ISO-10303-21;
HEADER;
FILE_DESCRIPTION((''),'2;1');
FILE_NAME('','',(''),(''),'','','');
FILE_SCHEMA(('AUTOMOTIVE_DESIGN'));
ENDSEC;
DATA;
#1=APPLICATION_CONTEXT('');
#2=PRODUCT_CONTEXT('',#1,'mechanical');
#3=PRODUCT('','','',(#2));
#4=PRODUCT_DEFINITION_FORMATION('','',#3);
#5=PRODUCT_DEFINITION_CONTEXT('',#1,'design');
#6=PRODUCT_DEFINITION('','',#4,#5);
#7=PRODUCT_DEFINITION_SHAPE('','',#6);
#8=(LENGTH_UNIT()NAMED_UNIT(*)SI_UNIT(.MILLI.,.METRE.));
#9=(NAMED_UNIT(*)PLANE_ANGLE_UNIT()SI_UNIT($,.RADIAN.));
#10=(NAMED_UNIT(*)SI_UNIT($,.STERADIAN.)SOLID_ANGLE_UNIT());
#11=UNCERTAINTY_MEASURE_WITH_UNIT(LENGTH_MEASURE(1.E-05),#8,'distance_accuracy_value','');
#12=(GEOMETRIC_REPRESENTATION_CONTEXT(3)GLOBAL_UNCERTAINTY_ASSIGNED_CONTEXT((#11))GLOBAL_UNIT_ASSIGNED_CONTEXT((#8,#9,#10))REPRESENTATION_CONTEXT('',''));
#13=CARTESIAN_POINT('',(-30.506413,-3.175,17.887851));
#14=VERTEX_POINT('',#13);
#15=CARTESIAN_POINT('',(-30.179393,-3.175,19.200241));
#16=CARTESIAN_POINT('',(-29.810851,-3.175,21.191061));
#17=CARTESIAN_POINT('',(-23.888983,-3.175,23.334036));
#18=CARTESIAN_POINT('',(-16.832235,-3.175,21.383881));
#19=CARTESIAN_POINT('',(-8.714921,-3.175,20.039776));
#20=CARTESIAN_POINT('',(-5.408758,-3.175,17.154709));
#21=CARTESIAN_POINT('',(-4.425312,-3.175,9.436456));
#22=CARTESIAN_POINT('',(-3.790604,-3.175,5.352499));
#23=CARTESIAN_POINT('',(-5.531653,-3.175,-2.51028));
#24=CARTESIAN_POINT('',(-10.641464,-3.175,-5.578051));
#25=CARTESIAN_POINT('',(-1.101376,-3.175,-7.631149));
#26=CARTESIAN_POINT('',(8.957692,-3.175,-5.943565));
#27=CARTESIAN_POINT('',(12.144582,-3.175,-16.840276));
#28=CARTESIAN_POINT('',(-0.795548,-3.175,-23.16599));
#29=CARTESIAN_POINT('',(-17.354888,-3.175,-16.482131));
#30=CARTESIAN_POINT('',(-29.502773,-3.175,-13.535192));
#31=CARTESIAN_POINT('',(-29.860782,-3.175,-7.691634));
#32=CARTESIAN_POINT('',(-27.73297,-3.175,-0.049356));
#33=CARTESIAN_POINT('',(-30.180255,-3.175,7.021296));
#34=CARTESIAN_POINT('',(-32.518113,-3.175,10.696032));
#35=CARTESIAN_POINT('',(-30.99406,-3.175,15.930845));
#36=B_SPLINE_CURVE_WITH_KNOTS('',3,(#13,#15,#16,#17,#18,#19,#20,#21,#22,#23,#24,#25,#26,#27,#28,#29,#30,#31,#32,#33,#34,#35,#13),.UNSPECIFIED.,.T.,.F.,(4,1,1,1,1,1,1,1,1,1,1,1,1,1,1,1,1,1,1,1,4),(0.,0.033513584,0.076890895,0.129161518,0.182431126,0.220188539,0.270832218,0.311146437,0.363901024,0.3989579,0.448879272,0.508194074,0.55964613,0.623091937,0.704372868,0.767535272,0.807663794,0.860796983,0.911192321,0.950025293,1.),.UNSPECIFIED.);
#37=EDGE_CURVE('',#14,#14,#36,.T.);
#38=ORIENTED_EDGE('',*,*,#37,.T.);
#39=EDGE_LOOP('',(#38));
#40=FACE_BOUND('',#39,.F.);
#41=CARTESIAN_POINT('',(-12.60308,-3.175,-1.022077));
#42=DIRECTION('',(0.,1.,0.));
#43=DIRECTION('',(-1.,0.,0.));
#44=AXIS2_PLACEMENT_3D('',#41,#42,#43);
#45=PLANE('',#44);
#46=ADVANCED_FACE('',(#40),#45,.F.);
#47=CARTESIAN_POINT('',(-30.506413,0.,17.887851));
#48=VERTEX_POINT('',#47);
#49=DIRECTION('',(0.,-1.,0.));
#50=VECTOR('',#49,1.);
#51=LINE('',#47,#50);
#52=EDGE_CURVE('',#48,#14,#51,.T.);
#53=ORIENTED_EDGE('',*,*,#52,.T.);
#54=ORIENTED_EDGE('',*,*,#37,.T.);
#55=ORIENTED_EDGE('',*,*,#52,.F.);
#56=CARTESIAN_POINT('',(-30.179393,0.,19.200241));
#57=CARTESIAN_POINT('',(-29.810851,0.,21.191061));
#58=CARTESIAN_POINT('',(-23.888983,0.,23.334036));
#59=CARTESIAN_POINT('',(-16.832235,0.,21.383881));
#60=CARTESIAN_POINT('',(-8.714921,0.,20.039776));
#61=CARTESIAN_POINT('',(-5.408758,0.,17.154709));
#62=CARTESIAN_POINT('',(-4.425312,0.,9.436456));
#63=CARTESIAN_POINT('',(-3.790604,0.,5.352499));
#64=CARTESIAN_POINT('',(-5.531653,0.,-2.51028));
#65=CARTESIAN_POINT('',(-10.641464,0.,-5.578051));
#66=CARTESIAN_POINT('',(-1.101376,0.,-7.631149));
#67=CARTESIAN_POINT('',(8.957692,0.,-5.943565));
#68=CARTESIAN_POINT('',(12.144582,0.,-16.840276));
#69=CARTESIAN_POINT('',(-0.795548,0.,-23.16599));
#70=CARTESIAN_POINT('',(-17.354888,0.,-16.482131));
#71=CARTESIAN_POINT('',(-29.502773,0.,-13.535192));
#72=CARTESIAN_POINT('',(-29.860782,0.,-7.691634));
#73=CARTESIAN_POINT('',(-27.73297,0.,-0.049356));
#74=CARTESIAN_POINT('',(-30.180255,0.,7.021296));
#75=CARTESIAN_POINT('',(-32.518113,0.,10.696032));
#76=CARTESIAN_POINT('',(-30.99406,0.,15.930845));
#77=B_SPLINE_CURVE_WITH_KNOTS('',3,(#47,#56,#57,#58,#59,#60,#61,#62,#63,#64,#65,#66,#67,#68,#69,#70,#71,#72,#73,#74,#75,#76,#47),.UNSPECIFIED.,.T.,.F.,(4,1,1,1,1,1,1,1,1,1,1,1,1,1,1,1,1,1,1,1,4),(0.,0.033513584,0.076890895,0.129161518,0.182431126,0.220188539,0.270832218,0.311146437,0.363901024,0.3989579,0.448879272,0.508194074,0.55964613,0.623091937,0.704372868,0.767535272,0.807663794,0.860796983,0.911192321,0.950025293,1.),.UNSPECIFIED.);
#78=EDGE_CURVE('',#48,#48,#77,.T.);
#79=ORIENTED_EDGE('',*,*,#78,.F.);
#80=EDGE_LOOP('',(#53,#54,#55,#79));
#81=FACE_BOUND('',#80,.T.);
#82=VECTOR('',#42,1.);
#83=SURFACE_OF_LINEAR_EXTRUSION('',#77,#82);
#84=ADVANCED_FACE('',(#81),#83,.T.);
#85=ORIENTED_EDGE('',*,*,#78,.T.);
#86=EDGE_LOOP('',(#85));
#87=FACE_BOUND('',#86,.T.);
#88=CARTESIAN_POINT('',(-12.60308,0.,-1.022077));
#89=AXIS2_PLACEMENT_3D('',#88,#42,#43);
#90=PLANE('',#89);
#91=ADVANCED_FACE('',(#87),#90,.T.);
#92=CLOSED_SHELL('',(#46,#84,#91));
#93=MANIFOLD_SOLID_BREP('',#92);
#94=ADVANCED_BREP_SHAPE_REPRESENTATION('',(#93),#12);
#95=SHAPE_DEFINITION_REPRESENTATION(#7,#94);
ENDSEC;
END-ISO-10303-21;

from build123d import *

# Parameters (mm, degrees)
F1_DEPTH = 3.175


with BuildPart() as f1:
    # F0 (on Front) → F1 (new body)
    with BuildSketch(Plane.XZ):
        with BuildLine():
            add(Edge.make_bspline(
                [(-30.50641343, 17.8878512233), (-30.1793925469, 19.2002406747), (-29.8108510557, 21.1910614181), (-23.8889826186, 23.3340364857), (-16.8322345249, 21.3838806177), (-8.7149213143, 20.0397761978), (-5.408757503, 17.1547086223), (-4.4253121665, 9.4364558812), (-3.7906038138, 5.3524992094), (-5.5316527569, -2.5102802639), (-10.641463709, -5.5780507341), (-1.1013755403, -7.6311489408), (8.9576920558, -5.9435646971), (12.1445822705, -16.84027636), (-0.7955481296, -23.1659898033), (-17.3548884353, -16.4821307705), (-29.5027726483, -13.5351923518), (-29.860781503, -7.6916335261), (-27.7329700976, -0.0493559517), (-30.1802549474, 7.021295899), (-32.5181134165, 10.6960321173), (-30.9940596618, 15.9308454056), (-30.50641343, 17.8878512233)],
                knots=[0, 0, 0, 0, 0.0335135838, 0.0768908948, 0.1291615181, 0.1824311263, 0.2201885387, 0.2708322176, 0.3111464371, 0.3639010238, 0.3989578999, 0.4488792725, 0.5081940737, 0.5596461297, 0.6230919368, 0.7043728679, 0.7675352723, 0.8076637936, 0.8607969834, 0.9111923212, 0.9500252929, 1, 1, 1, 1], degree=3))
        make_face()
    extrude(amount=F1_DEPTH)


solid = f1.part
